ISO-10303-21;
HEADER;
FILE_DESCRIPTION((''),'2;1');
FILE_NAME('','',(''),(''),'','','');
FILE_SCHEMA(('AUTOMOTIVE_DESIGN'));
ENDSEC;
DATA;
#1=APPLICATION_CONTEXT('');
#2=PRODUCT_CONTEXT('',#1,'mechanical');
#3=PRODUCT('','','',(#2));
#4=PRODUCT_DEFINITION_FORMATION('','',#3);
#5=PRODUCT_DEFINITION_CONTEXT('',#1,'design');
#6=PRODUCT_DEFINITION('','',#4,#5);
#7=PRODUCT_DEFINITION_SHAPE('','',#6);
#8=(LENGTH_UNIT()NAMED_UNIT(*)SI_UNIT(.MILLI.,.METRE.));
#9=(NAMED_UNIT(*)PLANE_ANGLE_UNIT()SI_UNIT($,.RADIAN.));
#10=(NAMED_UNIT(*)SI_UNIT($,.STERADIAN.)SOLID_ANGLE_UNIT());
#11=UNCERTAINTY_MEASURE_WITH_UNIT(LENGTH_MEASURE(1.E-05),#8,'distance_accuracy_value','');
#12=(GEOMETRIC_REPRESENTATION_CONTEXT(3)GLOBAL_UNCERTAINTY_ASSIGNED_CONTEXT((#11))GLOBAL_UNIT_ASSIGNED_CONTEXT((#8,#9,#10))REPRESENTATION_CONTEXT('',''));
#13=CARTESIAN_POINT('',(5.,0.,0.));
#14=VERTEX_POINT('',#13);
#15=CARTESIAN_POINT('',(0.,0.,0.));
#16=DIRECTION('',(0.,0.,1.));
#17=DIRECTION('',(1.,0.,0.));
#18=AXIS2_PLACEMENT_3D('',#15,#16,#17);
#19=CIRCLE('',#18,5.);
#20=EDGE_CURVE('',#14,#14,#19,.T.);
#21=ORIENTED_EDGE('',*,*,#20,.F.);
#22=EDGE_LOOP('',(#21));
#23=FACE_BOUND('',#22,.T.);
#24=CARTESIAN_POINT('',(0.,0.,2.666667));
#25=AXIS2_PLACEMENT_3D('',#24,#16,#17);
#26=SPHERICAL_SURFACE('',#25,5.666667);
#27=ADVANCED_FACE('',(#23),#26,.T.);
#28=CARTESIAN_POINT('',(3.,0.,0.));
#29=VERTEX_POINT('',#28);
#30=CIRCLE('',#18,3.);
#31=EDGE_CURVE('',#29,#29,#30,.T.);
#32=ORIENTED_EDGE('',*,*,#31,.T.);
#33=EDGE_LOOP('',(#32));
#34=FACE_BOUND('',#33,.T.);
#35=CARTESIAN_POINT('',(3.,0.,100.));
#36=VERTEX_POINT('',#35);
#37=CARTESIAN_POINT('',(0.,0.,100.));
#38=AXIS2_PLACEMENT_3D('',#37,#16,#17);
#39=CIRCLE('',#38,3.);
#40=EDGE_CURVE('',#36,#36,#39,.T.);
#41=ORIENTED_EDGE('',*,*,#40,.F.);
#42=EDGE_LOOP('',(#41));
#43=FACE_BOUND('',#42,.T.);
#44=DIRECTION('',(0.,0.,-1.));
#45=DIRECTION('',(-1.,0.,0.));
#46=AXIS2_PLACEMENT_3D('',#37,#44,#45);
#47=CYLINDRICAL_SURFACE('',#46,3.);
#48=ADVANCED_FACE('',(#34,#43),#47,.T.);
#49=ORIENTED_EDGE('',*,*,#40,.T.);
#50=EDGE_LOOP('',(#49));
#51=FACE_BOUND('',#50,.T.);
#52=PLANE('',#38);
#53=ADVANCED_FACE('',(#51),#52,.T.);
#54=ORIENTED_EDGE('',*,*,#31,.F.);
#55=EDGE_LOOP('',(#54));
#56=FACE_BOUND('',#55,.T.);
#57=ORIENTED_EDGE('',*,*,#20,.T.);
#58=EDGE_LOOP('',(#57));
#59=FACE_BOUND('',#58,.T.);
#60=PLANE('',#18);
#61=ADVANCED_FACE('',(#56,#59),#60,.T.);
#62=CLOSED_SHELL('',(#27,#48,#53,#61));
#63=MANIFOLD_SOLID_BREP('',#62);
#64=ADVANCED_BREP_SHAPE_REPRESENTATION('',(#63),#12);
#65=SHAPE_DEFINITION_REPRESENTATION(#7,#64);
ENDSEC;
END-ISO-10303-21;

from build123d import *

# Parameters (mm, degrees)
SKETCH_1_R      = 3
EXTRUDE_1_DEPTH = 100


with BuildPart() as part:
    # 草图1 → 凸台-拉伸1 (new body)
    with BuildSketch(Plane.XY):
        Circle(SKETCH_1_R)
    extrude(amount=EXTRUDE_1_DEPTH)

    # 草图2 → 旋转1 (revolve)
    with BuildSketch(Plane(origin=(0, 0, 0), x_dir=(1, 0, 0), z_dir=(0, 1, 0))):
        with BuildLine():
            Line((0, 0), (5, 0))
            ThreePointArc((5, 0), (2.915475947, 2.192459912), (0, 3))
            Line((0, 3), (0, 0))
        make_face()
    revolve(axis=Axis((0, 0, 0), (0, 0, -1)))


solid = part.part
